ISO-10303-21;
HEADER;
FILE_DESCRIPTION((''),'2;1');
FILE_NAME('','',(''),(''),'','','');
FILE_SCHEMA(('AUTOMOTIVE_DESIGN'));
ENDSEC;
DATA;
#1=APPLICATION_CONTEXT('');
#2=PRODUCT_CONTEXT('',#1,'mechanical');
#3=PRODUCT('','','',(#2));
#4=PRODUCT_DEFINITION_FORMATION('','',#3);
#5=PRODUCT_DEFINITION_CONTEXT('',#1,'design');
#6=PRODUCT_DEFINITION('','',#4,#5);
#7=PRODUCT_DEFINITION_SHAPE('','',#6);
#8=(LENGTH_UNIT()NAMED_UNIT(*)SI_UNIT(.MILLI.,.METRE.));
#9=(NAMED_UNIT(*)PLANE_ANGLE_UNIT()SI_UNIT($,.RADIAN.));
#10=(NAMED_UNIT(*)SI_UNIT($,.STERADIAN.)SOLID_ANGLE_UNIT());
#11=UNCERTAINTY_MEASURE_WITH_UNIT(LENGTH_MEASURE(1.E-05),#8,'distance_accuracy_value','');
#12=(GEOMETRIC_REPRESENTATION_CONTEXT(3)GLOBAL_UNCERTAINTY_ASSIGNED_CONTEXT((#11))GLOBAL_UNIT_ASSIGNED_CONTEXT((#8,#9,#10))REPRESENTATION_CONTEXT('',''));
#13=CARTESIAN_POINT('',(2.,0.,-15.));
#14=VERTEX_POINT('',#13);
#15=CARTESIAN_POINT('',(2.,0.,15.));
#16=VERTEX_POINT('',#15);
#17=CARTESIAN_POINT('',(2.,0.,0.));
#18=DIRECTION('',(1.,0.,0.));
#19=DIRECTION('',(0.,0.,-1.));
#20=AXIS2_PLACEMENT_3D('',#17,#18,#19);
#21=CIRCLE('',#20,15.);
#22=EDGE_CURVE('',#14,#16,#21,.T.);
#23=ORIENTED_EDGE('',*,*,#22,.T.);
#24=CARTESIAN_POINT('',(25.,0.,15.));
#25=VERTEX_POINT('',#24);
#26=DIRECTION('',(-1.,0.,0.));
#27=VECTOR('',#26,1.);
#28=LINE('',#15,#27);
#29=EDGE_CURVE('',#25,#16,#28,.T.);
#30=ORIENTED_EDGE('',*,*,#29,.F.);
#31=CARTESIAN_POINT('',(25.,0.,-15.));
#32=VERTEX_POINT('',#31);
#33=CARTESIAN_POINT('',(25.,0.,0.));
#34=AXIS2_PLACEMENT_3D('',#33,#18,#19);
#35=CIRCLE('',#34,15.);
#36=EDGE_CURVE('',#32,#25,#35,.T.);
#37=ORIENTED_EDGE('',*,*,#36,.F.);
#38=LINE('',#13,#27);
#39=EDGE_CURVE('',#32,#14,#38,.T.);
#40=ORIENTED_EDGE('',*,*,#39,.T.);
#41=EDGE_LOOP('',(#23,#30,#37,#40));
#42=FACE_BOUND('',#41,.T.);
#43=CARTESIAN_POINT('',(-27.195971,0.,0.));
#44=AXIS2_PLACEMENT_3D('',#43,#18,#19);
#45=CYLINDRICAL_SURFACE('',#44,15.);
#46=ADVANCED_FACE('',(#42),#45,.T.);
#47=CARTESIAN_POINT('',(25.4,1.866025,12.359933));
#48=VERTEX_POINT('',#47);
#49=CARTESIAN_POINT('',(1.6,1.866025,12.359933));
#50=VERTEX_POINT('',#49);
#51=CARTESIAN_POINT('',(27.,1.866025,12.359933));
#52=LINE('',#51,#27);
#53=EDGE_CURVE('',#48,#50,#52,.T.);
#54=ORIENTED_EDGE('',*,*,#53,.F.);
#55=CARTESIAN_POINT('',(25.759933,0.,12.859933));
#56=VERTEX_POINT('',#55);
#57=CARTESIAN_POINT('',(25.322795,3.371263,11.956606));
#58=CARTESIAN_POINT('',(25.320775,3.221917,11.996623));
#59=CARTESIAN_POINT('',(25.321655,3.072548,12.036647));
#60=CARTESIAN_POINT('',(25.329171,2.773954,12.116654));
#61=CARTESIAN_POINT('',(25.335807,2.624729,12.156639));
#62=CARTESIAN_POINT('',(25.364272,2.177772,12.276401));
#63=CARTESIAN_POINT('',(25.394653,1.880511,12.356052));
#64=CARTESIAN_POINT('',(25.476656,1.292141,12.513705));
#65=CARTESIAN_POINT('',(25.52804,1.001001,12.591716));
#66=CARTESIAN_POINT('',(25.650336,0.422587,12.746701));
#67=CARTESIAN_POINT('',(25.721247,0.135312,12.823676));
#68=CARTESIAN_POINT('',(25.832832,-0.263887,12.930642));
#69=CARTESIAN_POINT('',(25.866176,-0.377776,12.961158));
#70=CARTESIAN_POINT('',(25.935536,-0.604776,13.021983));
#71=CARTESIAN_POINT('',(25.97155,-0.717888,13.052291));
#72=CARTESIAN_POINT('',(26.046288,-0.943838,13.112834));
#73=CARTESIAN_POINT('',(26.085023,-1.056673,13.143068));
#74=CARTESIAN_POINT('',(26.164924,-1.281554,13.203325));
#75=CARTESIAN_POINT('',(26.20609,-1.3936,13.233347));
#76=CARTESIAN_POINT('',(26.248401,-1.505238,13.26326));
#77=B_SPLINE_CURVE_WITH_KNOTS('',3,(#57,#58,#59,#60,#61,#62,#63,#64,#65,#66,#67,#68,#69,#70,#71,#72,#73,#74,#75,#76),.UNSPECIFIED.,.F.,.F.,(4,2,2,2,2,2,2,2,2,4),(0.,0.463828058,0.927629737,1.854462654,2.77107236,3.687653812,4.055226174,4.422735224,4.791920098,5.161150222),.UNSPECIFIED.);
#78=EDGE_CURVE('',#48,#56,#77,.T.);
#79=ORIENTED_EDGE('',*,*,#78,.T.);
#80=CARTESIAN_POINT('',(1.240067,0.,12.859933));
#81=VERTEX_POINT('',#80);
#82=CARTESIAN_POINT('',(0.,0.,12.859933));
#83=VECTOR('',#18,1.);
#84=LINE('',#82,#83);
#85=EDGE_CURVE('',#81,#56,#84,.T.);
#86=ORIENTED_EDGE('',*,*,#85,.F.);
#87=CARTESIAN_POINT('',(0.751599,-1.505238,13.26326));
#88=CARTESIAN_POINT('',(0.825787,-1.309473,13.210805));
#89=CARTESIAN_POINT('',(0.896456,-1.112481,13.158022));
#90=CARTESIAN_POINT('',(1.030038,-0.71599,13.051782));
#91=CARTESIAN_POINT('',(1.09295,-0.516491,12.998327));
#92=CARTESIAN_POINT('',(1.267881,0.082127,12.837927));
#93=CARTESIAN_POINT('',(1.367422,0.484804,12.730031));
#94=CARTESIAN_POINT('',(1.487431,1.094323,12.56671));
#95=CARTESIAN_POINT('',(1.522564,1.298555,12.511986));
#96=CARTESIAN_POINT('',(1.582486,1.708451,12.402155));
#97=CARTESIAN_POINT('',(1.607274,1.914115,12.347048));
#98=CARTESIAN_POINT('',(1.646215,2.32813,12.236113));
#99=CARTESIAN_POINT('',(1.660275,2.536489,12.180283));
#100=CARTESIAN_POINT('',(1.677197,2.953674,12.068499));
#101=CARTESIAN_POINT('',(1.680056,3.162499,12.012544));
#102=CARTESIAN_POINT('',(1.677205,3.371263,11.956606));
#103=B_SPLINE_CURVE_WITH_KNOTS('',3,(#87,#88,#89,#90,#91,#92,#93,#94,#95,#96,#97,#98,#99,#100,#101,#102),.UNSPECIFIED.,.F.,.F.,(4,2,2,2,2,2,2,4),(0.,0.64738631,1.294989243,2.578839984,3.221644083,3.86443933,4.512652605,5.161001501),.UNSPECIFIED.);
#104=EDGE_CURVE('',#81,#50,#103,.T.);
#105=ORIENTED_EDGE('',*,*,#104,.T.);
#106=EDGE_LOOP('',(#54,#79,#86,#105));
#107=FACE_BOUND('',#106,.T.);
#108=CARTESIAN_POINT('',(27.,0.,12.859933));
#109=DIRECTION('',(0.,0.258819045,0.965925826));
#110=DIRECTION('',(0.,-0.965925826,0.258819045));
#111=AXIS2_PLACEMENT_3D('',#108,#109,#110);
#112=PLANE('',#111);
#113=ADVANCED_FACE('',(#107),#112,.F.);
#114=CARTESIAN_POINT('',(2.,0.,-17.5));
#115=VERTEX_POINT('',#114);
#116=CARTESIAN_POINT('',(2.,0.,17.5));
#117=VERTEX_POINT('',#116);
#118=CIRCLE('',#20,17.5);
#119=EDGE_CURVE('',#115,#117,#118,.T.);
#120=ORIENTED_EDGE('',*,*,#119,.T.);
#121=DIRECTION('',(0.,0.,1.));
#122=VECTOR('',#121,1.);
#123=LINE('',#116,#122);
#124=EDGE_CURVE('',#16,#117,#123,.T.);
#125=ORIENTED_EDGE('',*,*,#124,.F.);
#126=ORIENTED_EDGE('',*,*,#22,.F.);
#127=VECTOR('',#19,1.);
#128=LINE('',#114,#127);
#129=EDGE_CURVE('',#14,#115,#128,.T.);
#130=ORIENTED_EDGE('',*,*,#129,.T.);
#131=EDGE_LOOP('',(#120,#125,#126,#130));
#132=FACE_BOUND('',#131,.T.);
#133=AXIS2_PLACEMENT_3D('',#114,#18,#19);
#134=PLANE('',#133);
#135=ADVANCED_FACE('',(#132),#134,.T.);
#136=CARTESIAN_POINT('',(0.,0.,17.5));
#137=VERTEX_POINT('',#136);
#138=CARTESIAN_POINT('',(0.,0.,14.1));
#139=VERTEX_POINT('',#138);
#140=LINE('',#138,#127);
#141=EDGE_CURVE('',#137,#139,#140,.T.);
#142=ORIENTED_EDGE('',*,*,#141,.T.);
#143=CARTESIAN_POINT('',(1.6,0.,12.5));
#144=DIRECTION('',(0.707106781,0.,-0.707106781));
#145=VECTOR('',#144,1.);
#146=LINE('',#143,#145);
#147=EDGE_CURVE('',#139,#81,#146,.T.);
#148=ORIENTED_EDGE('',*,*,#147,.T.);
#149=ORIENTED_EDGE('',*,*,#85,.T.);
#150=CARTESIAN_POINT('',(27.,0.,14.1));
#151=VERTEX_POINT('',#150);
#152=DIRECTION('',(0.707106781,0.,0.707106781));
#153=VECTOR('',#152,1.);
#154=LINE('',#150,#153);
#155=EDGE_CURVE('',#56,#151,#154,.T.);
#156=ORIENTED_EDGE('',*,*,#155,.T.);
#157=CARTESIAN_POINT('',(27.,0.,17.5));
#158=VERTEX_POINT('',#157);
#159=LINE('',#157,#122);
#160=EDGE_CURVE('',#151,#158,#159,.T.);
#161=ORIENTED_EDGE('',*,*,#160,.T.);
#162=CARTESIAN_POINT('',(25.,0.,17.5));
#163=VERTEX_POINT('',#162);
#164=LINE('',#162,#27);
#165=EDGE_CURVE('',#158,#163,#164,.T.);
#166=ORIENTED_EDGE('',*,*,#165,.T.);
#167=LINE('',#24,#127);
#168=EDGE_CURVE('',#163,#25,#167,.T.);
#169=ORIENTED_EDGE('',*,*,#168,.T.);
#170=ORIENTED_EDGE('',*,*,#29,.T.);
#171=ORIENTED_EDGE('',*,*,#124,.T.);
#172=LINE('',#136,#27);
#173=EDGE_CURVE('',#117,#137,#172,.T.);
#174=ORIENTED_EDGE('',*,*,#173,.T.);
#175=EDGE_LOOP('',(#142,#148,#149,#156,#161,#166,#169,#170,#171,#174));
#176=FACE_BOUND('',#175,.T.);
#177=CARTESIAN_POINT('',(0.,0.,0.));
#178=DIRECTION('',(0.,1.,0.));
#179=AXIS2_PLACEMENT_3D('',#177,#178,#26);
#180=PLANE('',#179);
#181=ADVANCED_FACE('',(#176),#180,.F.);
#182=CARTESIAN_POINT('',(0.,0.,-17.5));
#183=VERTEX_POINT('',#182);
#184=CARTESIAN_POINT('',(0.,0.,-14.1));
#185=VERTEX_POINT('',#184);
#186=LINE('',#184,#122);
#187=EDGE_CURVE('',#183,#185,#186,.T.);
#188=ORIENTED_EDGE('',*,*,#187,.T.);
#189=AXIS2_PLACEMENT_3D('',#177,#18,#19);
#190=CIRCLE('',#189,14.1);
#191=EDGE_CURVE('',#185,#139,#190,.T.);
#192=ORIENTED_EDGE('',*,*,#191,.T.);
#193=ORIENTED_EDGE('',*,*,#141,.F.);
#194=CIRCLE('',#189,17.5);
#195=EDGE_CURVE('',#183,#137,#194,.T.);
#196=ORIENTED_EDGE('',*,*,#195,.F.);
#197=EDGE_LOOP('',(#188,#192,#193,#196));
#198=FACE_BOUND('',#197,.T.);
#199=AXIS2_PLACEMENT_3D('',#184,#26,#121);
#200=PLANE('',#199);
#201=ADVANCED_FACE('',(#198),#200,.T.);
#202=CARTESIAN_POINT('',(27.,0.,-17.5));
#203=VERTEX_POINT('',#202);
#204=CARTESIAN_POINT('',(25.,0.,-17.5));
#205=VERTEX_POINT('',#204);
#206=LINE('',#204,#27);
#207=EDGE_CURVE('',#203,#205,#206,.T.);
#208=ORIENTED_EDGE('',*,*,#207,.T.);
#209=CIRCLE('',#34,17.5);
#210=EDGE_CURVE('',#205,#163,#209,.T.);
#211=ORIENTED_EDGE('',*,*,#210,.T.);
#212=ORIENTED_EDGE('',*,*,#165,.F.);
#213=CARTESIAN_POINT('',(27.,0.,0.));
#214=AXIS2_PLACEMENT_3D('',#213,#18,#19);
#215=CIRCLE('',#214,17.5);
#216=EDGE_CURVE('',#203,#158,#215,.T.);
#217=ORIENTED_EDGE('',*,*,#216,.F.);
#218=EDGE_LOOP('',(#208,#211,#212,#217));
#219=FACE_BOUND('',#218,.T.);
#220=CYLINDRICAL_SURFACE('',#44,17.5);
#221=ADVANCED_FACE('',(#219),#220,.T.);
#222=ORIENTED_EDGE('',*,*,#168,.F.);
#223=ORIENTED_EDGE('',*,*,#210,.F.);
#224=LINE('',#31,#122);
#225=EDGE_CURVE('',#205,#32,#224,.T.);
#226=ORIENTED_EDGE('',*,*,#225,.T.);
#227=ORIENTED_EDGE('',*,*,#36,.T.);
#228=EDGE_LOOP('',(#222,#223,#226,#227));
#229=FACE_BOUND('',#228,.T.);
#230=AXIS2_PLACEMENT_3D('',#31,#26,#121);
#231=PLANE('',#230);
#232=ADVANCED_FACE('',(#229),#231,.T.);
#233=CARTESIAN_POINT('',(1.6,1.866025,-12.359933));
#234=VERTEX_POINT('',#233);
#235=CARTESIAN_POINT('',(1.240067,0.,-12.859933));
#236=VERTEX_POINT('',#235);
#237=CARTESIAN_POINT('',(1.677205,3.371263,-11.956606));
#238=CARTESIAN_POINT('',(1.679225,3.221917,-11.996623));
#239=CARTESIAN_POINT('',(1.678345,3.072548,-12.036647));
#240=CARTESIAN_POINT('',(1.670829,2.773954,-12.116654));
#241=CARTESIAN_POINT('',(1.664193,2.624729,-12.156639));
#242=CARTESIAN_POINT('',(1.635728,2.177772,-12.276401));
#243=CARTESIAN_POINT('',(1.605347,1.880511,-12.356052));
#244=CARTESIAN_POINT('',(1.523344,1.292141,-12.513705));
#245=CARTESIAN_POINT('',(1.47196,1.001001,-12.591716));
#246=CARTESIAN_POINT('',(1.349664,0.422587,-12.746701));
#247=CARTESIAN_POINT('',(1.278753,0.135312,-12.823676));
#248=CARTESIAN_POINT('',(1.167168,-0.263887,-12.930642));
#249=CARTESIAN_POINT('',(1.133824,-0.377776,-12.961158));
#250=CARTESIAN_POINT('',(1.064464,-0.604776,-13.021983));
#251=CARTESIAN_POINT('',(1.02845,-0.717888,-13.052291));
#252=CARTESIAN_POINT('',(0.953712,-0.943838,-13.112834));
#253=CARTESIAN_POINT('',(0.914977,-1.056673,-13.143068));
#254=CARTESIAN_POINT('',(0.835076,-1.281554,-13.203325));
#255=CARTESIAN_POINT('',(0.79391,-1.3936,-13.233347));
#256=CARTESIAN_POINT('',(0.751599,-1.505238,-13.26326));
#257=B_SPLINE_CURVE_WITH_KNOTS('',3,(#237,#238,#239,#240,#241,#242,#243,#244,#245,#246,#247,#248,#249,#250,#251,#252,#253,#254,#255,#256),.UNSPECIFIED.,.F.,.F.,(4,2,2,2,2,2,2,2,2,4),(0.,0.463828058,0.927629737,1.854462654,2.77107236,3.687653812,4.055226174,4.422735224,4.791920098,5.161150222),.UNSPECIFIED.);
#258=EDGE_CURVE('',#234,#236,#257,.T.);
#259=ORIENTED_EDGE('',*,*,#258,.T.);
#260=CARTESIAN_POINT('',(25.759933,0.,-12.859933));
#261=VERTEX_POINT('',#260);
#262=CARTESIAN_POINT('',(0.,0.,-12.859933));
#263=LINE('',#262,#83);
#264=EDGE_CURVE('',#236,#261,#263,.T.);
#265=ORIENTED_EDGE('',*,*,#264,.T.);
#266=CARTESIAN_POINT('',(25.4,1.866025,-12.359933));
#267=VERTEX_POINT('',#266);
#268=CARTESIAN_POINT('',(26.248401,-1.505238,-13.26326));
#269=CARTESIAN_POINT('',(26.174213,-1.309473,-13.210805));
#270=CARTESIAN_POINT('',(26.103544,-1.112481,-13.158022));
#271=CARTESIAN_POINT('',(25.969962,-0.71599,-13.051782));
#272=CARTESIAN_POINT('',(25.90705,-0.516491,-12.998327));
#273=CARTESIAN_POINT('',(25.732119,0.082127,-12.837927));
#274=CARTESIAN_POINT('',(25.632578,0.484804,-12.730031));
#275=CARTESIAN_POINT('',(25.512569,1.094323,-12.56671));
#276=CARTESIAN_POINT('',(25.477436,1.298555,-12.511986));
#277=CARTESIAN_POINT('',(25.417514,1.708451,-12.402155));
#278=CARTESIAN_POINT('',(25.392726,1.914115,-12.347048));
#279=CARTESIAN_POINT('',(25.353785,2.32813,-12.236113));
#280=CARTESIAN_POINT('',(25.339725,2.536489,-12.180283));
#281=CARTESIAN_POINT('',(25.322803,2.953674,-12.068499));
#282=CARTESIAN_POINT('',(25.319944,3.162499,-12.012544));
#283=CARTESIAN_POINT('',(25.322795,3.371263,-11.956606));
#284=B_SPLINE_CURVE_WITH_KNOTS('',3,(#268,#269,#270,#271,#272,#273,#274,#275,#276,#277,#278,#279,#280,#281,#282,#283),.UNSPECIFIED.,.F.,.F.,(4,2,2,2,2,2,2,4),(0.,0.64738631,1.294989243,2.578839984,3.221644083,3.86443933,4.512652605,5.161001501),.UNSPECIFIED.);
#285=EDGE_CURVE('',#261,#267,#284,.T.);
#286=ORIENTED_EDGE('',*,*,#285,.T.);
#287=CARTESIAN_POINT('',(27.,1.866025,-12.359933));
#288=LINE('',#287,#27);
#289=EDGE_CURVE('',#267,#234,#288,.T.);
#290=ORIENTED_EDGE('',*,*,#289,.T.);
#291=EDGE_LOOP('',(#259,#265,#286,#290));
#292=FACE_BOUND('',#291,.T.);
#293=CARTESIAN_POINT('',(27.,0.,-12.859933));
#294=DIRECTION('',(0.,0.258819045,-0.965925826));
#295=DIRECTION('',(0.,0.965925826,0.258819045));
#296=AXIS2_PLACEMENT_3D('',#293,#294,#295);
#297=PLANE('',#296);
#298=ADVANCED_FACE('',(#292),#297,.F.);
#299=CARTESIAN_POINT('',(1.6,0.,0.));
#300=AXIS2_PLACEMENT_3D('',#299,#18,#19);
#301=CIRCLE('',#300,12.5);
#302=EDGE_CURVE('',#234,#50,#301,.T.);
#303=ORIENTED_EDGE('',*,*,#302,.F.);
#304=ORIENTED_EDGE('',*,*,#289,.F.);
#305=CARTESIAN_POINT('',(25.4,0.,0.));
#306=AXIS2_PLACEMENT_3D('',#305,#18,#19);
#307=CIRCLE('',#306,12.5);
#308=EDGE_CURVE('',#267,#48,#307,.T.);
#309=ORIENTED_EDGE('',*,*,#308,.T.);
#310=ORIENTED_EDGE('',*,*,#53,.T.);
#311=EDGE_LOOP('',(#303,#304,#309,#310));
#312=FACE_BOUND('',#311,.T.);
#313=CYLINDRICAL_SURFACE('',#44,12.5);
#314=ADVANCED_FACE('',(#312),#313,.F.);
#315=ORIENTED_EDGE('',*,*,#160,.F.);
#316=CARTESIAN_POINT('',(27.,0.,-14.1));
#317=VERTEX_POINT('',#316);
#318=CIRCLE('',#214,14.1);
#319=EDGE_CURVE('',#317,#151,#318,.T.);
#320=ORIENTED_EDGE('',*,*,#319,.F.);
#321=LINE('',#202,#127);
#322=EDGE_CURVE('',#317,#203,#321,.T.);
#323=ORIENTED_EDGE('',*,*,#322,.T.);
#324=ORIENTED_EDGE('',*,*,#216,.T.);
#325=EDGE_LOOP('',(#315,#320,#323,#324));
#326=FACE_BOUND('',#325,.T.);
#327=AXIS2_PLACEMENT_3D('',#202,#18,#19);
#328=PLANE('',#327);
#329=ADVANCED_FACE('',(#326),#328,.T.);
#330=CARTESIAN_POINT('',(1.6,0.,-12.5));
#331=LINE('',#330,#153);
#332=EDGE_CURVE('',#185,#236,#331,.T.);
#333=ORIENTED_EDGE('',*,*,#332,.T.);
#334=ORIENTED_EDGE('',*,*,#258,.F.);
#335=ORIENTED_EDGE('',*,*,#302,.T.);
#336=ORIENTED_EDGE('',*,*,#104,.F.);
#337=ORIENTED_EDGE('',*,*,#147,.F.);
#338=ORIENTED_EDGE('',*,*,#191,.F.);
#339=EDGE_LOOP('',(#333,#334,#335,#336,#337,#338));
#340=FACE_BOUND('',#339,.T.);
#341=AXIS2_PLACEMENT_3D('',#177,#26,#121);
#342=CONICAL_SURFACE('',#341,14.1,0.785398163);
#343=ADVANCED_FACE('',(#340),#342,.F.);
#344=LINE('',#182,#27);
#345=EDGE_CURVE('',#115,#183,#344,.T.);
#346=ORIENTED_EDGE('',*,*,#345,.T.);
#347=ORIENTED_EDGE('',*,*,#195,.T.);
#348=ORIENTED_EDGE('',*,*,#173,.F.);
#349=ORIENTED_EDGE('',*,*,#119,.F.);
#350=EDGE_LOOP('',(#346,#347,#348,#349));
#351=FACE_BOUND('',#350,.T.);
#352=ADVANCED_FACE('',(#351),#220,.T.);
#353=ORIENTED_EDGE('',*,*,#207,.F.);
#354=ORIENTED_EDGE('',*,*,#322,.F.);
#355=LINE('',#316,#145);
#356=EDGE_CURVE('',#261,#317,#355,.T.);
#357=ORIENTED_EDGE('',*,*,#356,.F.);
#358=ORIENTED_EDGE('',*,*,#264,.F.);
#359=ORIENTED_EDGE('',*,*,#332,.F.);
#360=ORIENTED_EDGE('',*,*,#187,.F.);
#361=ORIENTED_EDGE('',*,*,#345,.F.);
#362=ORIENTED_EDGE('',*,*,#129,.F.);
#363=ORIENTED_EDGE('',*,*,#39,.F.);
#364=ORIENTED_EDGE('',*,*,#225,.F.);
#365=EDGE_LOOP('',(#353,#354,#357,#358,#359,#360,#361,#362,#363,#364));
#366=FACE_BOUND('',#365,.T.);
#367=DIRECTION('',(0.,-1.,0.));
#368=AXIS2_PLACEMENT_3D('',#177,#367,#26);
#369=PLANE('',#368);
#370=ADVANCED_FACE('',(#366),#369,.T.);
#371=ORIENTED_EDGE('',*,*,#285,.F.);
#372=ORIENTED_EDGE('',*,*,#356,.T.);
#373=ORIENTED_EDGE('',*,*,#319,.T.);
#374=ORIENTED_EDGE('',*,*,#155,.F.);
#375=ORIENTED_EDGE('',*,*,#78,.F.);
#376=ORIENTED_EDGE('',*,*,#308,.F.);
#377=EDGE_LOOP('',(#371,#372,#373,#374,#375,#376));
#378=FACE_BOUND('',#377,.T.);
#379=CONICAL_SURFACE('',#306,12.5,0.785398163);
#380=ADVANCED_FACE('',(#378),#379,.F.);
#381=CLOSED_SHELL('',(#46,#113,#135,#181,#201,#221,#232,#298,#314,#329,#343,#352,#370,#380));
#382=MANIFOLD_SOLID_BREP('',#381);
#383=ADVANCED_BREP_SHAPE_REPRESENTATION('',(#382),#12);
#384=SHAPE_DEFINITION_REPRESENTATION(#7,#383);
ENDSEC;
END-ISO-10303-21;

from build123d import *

# Parameters (mm, degrees)
REVOLVE_1_ANGLE     = 180
CUT_EXTRUDE_1_DEPTH = 37.626493144


with BuildPart() as part:
    # Эскиз1 → Повернуть1 (revolve, symmetric)
    with BuildSketch(Plane.XY) as revolve_1_sk:
        Polygon((0, 14.1), (0, 17.5), (2, 17.5), (2, 15), (25, 15), (25, 17.5), (27, 17.5), (27, 14.1), (25.4, 12.5), (1.6, 12.5), align=None)
    revolve(axis=Axis((-27.195971024, 0, 0), (1, 0, 0)), revolution_arc=REVOLVE_1_ANGLE / 2)
    revolve(revolve_1_sk.sketch, axis=Axis((-27.195971024, 0, 0), (-1, 0, 0)), revolution_arc=REVOLVE_1_ANGLE / 2)

    # Эскиз2 → Вырез-Вытянуть1 (cut, through all)
    with BuildSketch(Plane.ZY):
        Polygon((12.85993322, 0), (12.35993322, 1.866025404), (12.35993322, 0), align=None)
        Polygon((-12.85993322, 0), (-12.35993322, 1.866025404), (-12.35993322, 0), align=None)
    extrude(amount=-CUT_EXTRUDE_1_DEPTH, mode=Mode.SUBTRACT)


solid = part.part
